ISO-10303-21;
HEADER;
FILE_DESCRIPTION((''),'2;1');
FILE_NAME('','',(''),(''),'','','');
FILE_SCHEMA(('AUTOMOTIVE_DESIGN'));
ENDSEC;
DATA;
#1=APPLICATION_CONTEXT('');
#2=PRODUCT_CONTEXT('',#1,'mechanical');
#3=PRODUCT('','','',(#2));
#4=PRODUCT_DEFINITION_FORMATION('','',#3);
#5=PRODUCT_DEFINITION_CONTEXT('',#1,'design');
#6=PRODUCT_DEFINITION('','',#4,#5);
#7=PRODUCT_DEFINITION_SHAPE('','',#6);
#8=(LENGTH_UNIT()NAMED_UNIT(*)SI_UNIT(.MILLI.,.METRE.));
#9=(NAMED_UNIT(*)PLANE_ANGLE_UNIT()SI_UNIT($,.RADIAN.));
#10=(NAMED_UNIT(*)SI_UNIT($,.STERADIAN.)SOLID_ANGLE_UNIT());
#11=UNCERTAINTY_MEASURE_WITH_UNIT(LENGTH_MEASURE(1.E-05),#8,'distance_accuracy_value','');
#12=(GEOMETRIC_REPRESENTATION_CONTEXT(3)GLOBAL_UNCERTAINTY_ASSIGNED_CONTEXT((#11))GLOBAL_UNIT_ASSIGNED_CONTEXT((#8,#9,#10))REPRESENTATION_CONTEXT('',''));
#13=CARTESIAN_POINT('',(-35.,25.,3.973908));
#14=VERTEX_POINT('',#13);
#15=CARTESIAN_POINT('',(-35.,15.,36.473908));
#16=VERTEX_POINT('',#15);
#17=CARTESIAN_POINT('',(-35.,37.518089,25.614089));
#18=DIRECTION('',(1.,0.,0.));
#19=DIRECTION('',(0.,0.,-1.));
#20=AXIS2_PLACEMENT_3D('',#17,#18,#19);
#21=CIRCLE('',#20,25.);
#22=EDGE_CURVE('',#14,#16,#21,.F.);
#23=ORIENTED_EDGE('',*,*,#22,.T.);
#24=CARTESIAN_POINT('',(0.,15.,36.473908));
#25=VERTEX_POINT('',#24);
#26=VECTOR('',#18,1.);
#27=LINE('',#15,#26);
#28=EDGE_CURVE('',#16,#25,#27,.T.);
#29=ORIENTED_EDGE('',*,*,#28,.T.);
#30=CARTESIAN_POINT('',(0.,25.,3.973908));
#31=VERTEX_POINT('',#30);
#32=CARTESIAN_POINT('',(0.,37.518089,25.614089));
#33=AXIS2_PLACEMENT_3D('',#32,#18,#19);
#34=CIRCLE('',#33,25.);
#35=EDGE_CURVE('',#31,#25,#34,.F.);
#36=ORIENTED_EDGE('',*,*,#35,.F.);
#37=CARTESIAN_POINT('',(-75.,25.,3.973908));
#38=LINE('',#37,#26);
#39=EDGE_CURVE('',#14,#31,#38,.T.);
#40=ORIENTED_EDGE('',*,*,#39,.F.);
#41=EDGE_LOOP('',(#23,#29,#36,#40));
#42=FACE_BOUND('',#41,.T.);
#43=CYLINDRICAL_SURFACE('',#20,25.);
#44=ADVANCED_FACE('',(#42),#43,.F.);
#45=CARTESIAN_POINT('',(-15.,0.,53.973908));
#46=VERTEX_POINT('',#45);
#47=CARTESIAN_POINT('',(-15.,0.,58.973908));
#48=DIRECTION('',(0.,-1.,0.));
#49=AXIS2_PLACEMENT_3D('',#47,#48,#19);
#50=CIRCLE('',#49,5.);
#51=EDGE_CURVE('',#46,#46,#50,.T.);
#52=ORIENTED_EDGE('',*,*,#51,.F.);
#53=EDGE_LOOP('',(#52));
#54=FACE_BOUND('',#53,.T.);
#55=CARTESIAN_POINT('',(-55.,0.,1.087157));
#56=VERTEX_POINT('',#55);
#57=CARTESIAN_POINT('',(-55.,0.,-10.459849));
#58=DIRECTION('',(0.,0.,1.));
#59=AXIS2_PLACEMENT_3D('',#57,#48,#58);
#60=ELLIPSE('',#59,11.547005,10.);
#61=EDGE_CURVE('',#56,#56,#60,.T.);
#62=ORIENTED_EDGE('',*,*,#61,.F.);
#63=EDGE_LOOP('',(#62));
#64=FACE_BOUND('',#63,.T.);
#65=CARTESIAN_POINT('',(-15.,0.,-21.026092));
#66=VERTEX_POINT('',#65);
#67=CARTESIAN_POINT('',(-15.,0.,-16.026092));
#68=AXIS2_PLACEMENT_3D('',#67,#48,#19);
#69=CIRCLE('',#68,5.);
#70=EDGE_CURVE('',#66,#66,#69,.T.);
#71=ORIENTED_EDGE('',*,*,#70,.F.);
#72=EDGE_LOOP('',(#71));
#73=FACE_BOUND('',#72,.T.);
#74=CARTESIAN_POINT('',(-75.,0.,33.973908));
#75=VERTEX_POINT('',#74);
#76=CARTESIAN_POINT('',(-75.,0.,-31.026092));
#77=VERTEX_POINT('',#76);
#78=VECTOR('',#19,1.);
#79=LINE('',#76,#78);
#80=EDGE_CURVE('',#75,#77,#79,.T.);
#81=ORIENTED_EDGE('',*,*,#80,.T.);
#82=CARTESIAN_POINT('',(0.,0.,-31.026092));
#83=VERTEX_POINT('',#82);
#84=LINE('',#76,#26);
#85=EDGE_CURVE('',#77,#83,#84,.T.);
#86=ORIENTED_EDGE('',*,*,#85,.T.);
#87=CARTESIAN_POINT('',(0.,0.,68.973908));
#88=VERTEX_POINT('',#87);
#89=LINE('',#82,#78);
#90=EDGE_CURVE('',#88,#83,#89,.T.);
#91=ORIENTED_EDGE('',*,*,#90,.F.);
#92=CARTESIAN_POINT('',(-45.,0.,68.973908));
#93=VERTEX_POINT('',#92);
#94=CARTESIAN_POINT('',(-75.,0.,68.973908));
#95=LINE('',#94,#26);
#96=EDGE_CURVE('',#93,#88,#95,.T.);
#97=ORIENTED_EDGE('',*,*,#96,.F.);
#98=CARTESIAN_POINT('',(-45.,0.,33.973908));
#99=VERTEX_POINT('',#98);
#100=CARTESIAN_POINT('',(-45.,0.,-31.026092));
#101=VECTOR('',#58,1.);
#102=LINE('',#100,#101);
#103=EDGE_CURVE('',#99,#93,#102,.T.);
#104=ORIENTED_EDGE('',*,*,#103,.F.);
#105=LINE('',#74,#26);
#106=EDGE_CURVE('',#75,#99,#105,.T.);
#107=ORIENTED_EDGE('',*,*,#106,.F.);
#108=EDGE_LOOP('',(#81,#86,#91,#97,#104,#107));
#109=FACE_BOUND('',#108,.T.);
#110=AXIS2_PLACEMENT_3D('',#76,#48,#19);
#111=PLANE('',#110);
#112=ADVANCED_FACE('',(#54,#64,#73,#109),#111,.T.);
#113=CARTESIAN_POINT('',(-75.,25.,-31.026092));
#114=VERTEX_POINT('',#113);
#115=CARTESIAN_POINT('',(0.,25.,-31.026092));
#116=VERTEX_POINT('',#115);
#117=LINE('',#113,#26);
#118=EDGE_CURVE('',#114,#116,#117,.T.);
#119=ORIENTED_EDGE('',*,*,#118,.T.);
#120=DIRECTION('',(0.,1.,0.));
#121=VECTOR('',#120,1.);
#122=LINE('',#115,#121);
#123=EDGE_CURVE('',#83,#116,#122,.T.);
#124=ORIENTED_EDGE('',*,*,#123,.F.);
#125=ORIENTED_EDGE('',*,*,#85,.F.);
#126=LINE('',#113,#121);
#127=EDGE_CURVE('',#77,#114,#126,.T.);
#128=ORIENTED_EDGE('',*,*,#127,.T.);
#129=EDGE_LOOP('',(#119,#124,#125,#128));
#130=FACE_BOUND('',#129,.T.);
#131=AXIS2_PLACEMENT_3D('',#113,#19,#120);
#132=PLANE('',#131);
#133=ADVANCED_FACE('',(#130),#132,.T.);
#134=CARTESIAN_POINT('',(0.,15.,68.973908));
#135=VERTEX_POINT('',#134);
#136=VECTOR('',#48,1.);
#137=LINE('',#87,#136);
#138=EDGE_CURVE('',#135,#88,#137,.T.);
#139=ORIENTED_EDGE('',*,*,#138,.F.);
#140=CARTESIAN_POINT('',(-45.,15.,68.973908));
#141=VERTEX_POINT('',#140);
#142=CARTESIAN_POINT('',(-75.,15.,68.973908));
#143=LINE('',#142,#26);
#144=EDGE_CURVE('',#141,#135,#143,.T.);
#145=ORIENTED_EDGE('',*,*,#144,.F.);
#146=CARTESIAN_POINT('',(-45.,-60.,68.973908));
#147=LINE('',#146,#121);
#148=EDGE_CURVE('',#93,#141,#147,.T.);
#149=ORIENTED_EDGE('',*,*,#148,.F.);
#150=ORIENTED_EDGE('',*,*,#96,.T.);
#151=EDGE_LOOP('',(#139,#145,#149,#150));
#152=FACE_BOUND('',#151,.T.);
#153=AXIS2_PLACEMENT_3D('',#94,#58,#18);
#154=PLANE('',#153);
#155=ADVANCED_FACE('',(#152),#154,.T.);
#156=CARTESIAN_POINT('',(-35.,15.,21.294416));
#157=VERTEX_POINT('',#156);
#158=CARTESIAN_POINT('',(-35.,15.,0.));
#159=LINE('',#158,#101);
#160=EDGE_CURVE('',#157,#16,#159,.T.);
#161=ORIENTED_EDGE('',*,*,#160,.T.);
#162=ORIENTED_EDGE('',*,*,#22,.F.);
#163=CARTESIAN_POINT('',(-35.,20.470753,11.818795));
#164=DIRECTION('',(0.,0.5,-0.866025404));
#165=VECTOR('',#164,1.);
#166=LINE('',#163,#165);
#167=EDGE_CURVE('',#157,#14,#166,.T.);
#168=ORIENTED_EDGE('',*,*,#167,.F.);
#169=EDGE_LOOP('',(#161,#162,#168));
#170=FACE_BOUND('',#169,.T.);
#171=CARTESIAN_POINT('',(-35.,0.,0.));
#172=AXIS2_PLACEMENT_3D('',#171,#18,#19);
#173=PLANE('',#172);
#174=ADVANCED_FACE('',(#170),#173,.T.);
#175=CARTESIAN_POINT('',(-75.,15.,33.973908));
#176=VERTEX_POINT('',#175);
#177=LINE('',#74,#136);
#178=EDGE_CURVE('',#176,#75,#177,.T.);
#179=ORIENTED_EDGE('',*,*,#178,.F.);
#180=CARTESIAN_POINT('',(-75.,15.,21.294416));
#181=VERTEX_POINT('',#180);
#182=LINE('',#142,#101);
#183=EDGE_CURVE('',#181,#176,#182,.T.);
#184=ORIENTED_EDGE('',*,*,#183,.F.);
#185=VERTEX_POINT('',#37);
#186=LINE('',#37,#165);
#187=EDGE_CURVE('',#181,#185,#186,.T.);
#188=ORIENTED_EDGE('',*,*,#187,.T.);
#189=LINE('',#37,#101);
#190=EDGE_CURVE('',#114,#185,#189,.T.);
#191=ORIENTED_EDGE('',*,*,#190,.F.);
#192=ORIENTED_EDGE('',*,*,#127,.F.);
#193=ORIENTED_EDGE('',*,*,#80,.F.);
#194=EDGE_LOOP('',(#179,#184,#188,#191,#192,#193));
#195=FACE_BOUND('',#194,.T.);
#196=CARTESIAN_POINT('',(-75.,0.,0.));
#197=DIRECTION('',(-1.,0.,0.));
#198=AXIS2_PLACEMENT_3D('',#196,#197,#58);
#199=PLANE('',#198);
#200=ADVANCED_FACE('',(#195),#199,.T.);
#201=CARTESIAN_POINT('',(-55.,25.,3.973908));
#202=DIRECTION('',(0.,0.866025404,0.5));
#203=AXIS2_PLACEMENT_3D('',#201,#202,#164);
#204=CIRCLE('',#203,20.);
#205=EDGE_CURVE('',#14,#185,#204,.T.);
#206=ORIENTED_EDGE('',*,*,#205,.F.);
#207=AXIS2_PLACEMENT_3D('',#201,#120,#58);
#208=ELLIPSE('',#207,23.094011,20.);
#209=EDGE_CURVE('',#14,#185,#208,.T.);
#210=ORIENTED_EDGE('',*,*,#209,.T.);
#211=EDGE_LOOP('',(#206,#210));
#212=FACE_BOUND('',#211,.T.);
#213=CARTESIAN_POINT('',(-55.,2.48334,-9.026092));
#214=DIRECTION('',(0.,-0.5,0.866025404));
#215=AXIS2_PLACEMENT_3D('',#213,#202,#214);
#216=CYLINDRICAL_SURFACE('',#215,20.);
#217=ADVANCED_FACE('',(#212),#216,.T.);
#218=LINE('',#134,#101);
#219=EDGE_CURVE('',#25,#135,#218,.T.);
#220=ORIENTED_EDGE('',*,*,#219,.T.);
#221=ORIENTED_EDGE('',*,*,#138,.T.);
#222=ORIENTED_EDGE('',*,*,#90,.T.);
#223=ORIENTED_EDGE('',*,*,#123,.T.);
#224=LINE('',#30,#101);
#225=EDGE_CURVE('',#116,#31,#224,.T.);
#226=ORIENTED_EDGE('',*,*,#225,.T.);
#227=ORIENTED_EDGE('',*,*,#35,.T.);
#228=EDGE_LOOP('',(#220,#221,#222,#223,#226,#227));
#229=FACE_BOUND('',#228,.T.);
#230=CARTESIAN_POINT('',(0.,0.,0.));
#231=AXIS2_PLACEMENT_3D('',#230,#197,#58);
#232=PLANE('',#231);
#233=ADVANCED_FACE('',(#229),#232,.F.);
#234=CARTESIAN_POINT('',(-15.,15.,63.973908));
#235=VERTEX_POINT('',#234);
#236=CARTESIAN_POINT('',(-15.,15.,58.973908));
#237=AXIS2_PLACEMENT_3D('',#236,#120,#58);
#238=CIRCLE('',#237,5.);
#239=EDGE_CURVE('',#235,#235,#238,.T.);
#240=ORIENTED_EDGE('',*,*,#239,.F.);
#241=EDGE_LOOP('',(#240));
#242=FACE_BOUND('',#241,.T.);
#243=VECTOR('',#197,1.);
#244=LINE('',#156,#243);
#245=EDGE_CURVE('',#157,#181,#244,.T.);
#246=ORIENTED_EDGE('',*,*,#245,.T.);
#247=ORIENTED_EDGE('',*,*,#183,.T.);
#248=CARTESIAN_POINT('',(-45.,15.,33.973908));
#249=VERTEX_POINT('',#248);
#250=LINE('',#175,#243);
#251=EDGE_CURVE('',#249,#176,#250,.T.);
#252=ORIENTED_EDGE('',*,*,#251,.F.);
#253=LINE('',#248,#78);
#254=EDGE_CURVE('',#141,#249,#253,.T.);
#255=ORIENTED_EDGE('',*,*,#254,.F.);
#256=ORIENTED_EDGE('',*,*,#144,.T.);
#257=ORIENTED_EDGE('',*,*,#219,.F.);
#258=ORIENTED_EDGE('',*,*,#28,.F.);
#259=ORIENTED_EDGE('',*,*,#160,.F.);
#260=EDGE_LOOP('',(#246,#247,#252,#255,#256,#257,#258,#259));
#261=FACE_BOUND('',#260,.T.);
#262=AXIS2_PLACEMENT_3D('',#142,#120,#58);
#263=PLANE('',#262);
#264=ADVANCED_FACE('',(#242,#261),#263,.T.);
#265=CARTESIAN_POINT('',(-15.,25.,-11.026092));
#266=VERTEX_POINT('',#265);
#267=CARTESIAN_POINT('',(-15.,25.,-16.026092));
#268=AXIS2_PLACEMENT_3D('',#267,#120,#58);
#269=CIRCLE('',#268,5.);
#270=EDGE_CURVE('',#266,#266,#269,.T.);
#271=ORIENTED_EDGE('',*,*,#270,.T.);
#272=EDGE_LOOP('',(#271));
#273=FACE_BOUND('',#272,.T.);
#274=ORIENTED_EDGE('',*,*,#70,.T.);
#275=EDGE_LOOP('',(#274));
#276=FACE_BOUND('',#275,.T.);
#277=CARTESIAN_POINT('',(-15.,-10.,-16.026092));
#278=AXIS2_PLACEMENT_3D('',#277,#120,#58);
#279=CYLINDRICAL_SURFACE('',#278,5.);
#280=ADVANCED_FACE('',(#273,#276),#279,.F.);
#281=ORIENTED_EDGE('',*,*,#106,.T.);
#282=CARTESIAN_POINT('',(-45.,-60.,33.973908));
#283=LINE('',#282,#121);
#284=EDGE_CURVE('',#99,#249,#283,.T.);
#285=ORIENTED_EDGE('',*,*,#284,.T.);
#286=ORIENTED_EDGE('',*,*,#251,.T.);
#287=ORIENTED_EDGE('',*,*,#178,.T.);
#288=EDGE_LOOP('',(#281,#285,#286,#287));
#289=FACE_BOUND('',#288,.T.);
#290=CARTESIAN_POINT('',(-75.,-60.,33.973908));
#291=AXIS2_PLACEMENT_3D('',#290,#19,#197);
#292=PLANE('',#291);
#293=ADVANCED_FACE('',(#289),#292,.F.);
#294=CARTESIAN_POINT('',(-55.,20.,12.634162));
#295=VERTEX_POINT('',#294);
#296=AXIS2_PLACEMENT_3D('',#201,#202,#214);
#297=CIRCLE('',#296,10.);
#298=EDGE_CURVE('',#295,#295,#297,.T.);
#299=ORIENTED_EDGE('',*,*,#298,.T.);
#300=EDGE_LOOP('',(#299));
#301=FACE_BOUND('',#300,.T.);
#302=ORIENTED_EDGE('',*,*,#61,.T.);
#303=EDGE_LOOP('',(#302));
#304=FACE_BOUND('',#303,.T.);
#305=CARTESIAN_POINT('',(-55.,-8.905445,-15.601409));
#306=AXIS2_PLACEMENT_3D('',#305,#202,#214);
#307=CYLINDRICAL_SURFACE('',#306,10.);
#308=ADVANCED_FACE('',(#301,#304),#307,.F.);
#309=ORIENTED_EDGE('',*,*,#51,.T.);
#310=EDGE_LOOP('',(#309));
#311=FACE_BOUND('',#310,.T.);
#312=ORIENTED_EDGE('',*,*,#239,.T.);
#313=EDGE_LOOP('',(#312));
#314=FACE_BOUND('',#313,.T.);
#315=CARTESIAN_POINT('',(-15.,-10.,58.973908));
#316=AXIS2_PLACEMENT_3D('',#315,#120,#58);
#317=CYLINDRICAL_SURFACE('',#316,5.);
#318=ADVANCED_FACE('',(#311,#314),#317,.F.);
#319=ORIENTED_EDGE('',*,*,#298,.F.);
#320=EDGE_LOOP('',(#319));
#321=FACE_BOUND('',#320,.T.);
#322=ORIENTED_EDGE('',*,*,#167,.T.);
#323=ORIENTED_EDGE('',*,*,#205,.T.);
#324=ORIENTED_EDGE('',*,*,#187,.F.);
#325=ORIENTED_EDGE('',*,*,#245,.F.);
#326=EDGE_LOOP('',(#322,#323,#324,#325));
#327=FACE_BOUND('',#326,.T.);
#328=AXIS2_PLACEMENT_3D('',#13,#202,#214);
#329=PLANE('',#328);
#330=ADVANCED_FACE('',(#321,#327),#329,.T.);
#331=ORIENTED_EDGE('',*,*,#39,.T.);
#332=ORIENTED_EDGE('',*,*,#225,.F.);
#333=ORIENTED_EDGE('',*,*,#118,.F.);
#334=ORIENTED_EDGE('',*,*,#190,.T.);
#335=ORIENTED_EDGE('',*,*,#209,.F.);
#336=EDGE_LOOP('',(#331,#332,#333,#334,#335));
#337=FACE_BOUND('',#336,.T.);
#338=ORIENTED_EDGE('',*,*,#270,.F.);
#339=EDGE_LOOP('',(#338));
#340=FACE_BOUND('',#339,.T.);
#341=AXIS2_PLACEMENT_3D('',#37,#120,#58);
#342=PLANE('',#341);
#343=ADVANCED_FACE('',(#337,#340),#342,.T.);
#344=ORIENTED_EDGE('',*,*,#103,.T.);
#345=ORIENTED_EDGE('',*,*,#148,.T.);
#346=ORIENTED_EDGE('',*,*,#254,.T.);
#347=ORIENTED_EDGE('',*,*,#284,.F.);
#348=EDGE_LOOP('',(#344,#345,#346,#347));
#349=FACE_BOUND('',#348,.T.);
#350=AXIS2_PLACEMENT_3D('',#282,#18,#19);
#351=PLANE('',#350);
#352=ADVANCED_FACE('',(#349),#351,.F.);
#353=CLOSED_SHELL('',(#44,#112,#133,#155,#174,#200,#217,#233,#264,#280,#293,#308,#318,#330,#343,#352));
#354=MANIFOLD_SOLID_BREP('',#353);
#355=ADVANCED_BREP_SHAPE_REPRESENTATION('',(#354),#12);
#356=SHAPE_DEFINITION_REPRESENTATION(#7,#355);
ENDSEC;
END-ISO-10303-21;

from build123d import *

# Parameters (mm, degrees)
BOSS_EXTRUDE1_DEPTH = 75
SKETCH3_W           = 30
SKETCH3_H           = 35
CUT_EXTRUDE1_DEPTH  = 75
BOSS_EXTRUDE2_DEPTH = 40
BOSS_EXTRUDE3_DEPTH = 26
SKETCH6_R           = 10
CUT_EXTRUDE2_DEPTH  = 97.492272876
BOSS_EXTRUDE4_DEPTH = 37
CUT_EXTRUDE3_DEPTH  = 35
SKETCH9_R           = 5
CUT_EXTRUDE4_DEPTH  = 35


with BuildPart() as part:
    # Sketch2 → Boss-Extrude1 (new body)
    with BuildSketch(Plane(origin=(0, 0, 0), x_dir=(0, 0, -1), z_dir=(1, 0, 0))):
        Polygon((-68.973908168, 0), (-68.973908168, 15), (-3.973908168, 15), (-3.973908168, 25), (31.026091832, 25), (31.026091832, 0), align=None)
    extrude(amount=-BOSS_EXTRUDE1_DEPTH)

    # Sketch3 → Cut-Extrude1 (cut)
    with BuildSketch(Plane(origin=(0, 15, 0), x_dir=(1, 0, 0), z_dir=(0, 1, 0))):
        with Locations((-60, -51.473908168)):
            Rectangle(SKETCH3_W, SKETCH3_H)
    extrude(amount=-CUT_EXTRUDE1_DEPTH, mode=Mode.SUBTRACT)

    # Sketch4 → Boss-Extrude2 (add)
    with BuildSketch(Plane.ZY.offset(75)):
        Polygon((3.973908168, 25), (21.294416244, 15), (3.973908168, 15), align=None)
    extrude(amount=-BOSS_EXTRUDE2_DEPTH)

    # Sketch5 → Boss-Extrude3 (add)
    with BuildSketch(Plane(origin=(0, 20.470752713, 11.818794589), x_dir=(1, 0, 0), z_dir=(0, 0.866025403784438, 0.5000000000000012))):
        with BuildLine():
            Line((-75, 9.058494574), (-35, 9.058494574))
            ThreePointArc((-35, 9.058494574), (-55, 29.058494574), (-75, 9.058494574))
        make_face()
    extrude(amount=-BOSS_EXTRUDE3_DEPTH)

    # Sketch6 → Cut-Extrude2 (cut, through all)
    with BuildSketch(Plane(origin=(0, 20.470752713, 11.818794589), x_dir=(1, 0, 0), z_dir=(0, 0.866025403784438, 0.5000000000000012))):
        with Locations((-55, 9.058494574)):
            Circle(SKETCH6_R)
    extrude(amount=-CUT_EXTRUDE2_DEPTH, mode=Mode.SUBTRACT)

    # Sketch8 → Boss-Extrude4 (add)
    with BuildSketch(Plane(origin=(0, 0, 0), x_dir=(0, 0, -1), z_dir=(1, 0, 0))):
        Polygon((-3.973908168, 15), (-3.973908168, 25), (-21.294416244, 15), align=None)
    extrude(amount=-BOSS_EXTRUDE4_DEPTH)

    # Sketch8<3> → Cut-Extrude3 (cut)
    with BuildSketch(Plane(origin=(0, 0, 0), x_dir=(0, 0, -1), z_dir=(1, 0, 0))):
        with BuildLine():
            ThreePointArc((-36.473908168, 15), (-18.261943211, 13.623613889), (-3.973908168, 25))
            Line((-3.973908168, 25), (-21.294416244, 15))
            Line((-21.294416244, 15), (-36.473908168, 15))
        make_face()
    extrude(amount=-CUT_EXTRUDE3_DEPTH, mode=Mode.SUBTRACT)

    # Sketch9 → Cut-Extrude4 (cut)
    with BuildSketch(Plane(origin=(0, 25, 0), x_dir=(1, 0, 0), z_dir=(0, 1, 0))):
        with Locations((-15, 16.026091832)):
            Circle(SKETCH9_R)
        with Locations((-15, -58.973908168)):
            Circle(SKETCH9_R)
    extrude(amount=-CUT_EXTRUDE4_DEPTH, mode=Mode.SUBTRACT)


solid = part.part
